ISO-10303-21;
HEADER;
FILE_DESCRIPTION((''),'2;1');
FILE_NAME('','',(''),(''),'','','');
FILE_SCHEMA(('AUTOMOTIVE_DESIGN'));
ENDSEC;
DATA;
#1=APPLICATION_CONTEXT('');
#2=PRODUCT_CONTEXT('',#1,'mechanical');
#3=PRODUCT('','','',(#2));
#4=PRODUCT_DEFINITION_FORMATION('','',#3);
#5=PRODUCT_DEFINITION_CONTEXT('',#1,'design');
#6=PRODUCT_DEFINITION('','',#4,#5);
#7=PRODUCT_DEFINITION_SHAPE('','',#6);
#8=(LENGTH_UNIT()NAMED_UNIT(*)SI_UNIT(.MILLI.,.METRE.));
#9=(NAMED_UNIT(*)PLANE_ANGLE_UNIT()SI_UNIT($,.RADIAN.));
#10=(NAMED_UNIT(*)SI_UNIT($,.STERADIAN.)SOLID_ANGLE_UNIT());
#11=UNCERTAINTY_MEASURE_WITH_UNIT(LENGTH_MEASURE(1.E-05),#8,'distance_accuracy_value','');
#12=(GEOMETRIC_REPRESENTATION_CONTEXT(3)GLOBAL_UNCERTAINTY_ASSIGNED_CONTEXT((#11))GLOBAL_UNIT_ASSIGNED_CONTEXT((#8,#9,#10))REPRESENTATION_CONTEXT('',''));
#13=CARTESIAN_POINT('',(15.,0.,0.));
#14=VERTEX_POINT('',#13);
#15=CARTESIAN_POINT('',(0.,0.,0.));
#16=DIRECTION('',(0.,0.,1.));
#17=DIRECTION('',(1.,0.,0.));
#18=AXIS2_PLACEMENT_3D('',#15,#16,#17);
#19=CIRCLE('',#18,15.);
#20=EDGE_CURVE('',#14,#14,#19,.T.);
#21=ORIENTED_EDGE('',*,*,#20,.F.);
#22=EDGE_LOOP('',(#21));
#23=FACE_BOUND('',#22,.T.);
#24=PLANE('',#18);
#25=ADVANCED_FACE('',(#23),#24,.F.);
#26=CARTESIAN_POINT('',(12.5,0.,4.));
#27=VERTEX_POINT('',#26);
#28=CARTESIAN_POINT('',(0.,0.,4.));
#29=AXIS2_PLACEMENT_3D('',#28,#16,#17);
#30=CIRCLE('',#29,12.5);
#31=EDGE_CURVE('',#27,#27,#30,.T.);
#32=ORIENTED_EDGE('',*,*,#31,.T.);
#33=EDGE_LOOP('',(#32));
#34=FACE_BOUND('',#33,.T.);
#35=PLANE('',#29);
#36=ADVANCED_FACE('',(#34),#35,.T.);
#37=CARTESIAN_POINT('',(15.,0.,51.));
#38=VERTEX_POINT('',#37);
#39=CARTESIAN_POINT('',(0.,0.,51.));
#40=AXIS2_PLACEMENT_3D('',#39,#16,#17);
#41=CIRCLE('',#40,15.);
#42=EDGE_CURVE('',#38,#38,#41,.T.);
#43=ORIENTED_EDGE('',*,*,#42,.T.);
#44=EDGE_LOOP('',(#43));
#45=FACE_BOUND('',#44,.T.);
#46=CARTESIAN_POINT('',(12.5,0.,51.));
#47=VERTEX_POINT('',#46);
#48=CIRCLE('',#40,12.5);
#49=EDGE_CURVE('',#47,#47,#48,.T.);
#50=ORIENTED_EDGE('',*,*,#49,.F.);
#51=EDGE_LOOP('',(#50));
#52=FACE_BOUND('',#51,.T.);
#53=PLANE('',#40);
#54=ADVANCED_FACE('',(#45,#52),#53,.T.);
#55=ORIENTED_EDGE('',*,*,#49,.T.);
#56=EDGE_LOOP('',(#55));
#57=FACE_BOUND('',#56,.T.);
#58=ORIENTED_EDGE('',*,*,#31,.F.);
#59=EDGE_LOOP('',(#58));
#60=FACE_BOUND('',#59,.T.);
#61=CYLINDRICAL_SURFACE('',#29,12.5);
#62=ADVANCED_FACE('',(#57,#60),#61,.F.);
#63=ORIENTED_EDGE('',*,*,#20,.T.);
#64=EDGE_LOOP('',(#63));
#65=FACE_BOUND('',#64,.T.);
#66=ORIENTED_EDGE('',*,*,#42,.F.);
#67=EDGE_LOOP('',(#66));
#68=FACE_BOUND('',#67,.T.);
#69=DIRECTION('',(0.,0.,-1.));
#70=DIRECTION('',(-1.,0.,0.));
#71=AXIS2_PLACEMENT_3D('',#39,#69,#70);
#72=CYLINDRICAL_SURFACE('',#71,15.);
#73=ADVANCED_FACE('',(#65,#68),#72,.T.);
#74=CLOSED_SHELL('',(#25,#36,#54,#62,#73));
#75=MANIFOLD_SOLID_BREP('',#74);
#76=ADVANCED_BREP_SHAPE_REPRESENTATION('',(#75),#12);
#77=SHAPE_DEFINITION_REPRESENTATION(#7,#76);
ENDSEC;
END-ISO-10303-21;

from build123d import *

# Parameters (mm, degrees)
CROQUIS1_R              = 15
SALIENTE_EXTRUIR1_DEPTH = 51
CROQUIS2_R              = 12.5
CORTAR_EXTRUIR1_DEPTH   = 47


with BuildPart() as part:
    # Croquis1 → Saliente-Extruir1 (new body)
    with BuildSketch(Plane.XY):
        Circle(CROQUIS1_R)
    extrude(amount=SALIENTE_EXTRUIR1_DEPTH)

    # Croquis2 → Cortar-Extruir1 (cut)
    with BuildSketch(Plane.XY.offset(51)):
        Circle(CROQUIS2_R)
    extrude(amount=-CORTAR_EXTRUIR1_DEPTH, mode=Mode.SUBTRACT)


solid = part.part
